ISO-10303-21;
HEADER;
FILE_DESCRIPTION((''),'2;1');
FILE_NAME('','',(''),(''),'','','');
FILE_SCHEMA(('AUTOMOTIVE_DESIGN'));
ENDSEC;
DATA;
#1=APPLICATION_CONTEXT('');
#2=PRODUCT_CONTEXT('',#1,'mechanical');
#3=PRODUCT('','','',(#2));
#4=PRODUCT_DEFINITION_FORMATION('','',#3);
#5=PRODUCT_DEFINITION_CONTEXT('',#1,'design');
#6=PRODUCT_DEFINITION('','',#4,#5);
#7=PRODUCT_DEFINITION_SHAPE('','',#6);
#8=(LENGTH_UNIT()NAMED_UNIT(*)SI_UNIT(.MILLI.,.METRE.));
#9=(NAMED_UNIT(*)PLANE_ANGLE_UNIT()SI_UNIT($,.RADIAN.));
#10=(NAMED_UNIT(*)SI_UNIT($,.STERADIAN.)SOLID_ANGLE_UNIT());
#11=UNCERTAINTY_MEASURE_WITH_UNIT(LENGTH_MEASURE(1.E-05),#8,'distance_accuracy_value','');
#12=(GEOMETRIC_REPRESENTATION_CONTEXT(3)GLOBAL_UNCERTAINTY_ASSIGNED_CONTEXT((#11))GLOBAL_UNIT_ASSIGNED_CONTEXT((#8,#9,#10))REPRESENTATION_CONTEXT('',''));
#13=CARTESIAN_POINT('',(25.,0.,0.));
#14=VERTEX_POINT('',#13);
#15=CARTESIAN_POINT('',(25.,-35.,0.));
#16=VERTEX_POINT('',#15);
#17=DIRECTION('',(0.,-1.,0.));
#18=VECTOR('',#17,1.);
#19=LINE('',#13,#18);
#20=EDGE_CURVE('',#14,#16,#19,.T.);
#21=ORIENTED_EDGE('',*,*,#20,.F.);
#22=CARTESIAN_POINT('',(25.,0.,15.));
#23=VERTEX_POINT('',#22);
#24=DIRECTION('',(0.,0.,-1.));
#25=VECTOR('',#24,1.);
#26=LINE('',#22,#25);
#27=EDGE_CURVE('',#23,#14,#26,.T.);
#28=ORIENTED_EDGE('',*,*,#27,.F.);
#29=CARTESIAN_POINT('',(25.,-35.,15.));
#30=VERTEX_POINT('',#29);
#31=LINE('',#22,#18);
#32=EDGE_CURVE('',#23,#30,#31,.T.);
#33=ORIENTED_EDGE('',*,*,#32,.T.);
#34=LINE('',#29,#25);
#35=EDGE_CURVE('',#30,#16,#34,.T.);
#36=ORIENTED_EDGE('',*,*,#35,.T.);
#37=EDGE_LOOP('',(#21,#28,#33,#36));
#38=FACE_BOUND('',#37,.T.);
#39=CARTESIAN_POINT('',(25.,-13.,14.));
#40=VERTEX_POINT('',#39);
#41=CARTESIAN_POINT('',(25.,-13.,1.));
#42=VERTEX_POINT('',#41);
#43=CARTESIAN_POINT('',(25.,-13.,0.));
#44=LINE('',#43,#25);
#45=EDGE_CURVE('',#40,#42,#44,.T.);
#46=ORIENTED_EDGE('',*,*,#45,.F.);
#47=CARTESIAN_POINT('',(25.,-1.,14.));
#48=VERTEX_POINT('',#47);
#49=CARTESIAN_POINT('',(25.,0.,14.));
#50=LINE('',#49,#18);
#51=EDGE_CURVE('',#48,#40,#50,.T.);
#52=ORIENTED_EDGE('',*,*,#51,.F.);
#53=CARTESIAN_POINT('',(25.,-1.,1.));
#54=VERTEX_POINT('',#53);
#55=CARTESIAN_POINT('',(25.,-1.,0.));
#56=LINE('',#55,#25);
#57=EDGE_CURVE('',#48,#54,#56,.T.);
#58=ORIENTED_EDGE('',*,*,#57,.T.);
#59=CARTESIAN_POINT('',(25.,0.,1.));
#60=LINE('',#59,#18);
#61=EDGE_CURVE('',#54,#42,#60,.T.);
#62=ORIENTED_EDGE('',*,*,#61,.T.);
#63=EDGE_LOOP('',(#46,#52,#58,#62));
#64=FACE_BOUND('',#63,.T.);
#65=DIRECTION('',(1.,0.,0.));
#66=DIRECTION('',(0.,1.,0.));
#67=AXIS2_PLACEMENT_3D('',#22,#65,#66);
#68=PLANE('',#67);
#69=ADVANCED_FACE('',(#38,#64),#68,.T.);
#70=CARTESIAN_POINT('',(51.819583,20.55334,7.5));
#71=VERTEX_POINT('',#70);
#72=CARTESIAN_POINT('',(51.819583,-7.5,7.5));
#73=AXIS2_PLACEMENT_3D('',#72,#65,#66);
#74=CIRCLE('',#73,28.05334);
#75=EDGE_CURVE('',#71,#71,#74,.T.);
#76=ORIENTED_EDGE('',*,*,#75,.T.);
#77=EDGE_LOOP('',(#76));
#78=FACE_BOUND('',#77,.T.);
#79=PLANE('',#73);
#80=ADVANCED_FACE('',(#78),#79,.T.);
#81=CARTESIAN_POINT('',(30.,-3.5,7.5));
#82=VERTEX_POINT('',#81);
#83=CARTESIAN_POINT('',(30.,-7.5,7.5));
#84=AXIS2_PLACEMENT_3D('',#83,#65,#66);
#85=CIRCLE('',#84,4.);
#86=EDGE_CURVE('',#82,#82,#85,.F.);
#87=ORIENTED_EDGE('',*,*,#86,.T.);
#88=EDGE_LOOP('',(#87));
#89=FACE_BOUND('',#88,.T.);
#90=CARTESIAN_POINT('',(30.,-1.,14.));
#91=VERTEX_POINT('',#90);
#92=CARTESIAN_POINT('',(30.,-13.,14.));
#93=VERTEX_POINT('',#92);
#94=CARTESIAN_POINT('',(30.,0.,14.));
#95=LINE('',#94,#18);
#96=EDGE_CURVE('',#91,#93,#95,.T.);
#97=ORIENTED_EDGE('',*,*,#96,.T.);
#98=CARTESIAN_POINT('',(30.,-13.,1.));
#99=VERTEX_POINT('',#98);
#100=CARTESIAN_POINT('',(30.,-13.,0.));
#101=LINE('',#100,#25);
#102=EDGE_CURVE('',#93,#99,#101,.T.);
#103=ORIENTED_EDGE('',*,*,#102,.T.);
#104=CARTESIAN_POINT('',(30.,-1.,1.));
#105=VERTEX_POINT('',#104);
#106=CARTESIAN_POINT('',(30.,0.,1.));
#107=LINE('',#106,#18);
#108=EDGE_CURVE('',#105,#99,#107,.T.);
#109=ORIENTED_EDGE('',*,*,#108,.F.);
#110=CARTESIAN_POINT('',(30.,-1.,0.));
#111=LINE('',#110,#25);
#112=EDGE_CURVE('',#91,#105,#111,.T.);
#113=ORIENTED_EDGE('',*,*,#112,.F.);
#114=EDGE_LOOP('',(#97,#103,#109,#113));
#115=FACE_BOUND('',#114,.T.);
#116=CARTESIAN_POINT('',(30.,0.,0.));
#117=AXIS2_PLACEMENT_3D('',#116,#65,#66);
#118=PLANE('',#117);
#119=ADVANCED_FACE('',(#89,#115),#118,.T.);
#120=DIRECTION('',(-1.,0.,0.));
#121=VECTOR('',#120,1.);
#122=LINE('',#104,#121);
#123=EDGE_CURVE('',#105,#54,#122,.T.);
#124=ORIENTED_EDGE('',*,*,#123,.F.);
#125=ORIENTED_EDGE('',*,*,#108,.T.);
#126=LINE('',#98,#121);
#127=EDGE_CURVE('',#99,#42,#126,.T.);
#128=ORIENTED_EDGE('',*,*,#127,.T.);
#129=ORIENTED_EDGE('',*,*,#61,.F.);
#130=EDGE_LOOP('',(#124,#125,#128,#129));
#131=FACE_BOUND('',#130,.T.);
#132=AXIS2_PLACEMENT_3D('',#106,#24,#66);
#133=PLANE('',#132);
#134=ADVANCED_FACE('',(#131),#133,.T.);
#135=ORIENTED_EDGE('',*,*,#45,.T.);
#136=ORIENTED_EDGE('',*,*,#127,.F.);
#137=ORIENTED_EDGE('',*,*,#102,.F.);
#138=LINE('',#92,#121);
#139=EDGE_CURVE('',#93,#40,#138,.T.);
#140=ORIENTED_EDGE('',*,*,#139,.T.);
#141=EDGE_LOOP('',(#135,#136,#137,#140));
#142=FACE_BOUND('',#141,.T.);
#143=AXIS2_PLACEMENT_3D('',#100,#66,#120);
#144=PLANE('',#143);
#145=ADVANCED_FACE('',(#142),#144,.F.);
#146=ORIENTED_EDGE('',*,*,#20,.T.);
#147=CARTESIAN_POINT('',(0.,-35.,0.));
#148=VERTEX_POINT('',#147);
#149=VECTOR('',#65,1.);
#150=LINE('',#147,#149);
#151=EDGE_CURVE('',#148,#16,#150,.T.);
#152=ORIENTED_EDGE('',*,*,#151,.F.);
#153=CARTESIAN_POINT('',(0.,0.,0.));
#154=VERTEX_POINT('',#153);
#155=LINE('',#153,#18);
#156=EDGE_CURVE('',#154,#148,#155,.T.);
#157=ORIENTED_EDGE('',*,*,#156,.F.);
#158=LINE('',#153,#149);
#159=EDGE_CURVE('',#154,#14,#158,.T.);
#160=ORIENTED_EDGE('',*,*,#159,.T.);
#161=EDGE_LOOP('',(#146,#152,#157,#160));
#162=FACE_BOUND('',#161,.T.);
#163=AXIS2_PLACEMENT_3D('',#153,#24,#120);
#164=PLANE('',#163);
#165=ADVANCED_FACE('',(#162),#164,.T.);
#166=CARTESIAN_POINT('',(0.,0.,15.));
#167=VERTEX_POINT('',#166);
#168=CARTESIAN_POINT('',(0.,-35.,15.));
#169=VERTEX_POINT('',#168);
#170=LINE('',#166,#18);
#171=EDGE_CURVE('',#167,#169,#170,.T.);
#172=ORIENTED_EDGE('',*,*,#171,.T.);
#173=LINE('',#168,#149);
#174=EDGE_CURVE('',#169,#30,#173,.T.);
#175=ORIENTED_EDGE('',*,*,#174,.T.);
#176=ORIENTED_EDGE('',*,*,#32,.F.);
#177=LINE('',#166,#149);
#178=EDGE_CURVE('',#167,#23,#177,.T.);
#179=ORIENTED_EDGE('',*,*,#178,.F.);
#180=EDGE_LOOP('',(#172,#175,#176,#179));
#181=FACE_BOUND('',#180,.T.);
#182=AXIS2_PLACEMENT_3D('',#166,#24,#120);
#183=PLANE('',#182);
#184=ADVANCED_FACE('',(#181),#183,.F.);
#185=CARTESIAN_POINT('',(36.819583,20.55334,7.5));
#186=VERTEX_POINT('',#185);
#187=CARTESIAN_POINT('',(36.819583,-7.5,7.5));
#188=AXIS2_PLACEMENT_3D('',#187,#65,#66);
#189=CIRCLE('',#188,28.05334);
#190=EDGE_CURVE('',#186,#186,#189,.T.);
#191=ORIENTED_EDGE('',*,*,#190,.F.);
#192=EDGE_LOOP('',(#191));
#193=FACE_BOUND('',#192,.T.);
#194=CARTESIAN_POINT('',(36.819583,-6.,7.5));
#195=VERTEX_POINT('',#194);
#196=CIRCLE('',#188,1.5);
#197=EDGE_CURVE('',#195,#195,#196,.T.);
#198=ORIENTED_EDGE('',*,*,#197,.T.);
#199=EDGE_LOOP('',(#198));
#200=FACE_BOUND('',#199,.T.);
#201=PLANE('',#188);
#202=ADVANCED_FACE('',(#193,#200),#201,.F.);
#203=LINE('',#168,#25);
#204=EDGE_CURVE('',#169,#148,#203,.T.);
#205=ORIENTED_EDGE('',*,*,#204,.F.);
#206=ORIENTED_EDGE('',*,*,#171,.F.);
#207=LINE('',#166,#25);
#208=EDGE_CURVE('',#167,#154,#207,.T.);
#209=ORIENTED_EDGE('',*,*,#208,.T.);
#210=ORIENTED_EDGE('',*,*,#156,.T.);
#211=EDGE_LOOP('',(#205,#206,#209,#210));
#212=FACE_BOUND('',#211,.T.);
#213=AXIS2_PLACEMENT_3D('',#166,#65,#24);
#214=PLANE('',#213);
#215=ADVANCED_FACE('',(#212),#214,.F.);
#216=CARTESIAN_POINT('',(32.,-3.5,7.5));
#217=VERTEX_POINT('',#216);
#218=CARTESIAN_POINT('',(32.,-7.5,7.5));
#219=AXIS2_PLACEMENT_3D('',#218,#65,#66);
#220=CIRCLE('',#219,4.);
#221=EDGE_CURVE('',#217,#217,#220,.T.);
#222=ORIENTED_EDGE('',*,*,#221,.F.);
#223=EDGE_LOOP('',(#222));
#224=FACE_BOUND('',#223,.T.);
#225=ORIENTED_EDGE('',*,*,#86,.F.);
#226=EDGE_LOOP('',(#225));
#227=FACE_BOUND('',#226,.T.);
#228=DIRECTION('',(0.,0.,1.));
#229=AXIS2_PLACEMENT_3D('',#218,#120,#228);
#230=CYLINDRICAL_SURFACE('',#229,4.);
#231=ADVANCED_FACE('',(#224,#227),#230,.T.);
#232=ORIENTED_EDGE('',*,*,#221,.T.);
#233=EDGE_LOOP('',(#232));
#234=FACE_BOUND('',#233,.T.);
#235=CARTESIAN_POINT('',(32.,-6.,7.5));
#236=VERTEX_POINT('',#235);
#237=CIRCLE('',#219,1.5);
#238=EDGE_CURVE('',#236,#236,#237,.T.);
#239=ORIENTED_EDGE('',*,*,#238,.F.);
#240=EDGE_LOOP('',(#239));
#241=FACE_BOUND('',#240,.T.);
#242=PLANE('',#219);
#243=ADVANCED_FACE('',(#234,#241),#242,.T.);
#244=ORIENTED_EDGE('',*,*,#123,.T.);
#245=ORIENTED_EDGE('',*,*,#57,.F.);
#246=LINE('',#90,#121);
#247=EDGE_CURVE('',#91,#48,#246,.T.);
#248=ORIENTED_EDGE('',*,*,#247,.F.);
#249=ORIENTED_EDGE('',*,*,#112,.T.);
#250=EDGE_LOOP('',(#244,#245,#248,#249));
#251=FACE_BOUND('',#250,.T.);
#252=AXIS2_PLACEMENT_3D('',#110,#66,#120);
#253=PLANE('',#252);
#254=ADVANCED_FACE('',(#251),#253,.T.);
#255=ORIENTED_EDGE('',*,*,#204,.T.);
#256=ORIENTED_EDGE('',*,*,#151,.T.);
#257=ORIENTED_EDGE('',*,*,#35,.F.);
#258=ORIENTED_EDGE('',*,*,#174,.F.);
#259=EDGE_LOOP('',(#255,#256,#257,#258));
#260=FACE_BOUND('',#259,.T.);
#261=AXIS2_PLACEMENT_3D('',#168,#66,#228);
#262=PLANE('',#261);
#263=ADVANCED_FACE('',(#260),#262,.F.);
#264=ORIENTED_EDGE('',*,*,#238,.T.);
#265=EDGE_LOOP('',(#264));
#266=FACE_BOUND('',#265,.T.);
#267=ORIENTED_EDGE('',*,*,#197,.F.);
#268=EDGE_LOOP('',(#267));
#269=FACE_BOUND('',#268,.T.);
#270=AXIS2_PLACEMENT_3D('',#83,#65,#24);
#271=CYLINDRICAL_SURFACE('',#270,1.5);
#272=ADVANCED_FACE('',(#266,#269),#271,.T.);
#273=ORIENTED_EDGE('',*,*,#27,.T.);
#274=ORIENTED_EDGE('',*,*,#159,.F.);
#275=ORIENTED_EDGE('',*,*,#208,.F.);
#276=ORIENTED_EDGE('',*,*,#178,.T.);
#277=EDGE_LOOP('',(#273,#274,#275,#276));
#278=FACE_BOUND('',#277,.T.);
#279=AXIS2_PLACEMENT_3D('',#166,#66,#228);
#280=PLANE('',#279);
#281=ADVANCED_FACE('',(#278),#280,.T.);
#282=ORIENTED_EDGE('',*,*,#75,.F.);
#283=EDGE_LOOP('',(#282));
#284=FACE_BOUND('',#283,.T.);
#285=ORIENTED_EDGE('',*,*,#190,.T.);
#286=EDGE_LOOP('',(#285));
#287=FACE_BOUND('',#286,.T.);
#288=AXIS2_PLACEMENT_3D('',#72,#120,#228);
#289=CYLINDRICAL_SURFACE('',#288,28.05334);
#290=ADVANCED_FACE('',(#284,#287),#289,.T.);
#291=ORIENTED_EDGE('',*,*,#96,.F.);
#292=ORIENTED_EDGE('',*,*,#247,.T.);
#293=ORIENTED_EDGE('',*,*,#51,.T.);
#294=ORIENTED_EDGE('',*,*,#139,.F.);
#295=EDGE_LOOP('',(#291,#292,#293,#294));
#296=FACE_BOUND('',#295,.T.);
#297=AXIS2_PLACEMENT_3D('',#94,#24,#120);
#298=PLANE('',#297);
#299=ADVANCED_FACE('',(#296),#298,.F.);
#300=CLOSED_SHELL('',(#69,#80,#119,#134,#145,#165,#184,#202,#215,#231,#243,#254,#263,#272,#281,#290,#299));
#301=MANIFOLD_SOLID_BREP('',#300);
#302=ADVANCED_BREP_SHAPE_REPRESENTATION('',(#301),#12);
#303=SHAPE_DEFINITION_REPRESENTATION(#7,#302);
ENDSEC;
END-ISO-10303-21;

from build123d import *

# Parameters (mm, degrees)
SKETCH_1_W           = 25
SKETCH_1_H           = 35
EXTRUDE_1_DEPTH      = 15
SKETCH_3_W           = 13
SKETCH_3_H           = 12
EXTRUDE_2_DEPTH      = 5
EXTRUDE_START        = 30
SKETCH_4_R           = 4
EXTRUDE_3_DEPTH      = 2
EXTRUDE_4_DEPTH      = 4.819582841
EXTRUDE_4_DEPTH_BACK = 2
EXTRUDE_4_START      = 32
SKETCH_5_R           = 1.5
EXTRUDE_START_2      = 36.819583
SKETCH_6_R           = 28.053339705
EXTRUDE_5_DEPTH      = 15


with BuildPart() as part:
    # 草图1 → 凸台-拉伸1 (new body)
    with BuildSketch(Plane.XY):
        with Locations((12.5, -17.5)):
            Rectangle(SKETCH_1_W, SKETCH_1_H)
    extrude(amount=EXTRUDE_1_DEPTH)

    # 草图3 → 凸台-拉伸2 (add)
    with BuildSketch(Plane(origin=(25, 0, 0), x_dir=(0, 0, -1), z_dir=(1, 0, 0))):
        with Locations((-7.5, -7)):
            Rectangle(SKETCH_3_W, SKETCH_3_H)
    extrude(amount=EXTRUDE_2_DEPTH)

    # 草图4 → 凸台-拉伸3 (add)
    with BuildSketch(Plane(origin=(0, 0, 0), x_dir=(0, 0, -1), z_dir=(1, 0, 0)).offset(EXTRUDE_START)):
        with Locations(Location((-7.5, -7.5, 0), (0, 0, 90))):
            Circle(SKETCH_4_R)
    extrude(amount=EXTRUDE_3_DEPTH)

    # 草图5 → 凸台-拉伸4 (add, two sides: drawn at the far end of the back side and taken through both)
    with BuildSketch(Plane(origin=(0, 0, 0), x_dir=(0, 0, -1), z_dir=(1, 0, 0)).offset(EXTRUDE_4_START - EXTRUDE_4_DEPTH_BACK)):
        with Locations(Location((-7.5, -7.5, 0), (0, 0, 90))):
            Circle(SKETCH_5_R)
    extrude(amount=EXTRUDE_4_DEPTH + EXTRUDE_4_DEPTH_BACK)

    # 草图6 → 凸台-拉伸5 (add)
    with BuildSketch(Plane(origin=(0, 0, 0), x_dir=(0, 0, -1), z_dir=(1, 0, 0)).offset(EXTRUDE_START_2)):
        with Locations(Location((-7.5, -7.5, 0), (0, 0, 90))):
            Circle(SKETCH_6_R)
    extrude(amount=EXTRUDE_5_DEPTH)


solid = part.part
